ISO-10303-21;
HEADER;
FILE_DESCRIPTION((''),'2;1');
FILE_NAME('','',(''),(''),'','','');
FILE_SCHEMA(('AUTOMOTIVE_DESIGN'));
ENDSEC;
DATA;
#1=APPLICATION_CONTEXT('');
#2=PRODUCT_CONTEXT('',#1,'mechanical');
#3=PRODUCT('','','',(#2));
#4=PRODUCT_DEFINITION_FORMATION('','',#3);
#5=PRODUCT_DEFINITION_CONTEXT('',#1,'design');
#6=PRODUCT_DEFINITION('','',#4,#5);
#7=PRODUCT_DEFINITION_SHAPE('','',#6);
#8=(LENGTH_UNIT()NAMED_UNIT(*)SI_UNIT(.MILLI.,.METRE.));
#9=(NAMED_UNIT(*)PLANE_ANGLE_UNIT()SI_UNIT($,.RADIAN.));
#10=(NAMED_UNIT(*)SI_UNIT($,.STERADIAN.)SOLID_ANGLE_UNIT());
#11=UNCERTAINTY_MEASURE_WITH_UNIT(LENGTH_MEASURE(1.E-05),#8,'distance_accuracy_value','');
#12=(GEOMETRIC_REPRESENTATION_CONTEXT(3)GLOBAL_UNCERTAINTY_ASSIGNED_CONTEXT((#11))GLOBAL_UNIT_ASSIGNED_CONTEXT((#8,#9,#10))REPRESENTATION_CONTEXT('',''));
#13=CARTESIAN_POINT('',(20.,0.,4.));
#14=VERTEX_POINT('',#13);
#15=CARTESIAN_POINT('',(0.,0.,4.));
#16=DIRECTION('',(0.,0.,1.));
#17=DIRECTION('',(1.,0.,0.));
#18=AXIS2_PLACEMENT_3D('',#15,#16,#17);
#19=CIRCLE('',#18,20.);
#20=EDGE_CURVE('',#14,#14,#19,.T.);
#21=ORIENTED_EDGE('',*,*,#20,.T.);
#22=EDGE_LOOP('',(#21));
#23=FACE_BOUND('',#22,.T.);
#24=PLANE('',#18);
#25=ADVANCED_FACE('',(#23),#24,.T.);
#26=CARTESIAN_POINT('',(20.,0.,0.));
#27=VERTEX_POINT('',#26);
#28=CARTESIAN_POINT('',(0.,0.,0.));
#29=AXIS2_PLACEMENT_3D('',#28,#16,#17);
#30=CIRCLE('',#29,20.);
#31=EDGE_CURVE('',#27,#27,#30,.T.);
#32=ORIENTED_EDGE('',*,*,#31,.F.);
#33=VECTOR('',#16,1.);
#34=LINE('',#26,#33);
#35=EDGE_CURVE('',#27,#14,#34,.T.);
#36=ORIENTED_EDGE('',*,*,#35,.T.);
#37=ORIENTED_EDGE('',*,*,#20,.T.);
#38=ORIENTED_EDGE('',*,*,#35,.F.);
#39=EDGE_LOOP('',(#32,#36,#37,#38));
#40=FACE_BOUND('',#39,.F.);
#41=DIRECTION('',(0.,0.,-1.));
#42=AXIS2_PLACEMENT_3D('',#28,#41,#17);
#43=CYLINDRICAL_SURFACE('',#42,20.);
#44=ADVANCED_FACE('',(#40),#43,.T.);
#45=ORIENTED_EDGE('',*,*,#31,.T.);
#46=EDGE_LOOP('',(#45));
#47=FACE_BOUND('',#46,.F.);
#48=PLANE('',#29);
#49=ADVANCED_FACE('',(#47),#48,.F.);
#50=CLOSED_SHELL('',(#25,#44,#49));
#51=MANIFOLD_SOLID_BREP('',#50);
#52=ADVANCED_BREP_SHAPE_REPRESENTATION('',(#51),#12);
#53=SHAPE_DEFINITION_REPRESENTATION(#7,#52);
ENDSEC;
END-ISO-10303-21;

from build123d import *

# Parameters (mm, degrees)
SKETCH_R      = 20
EXTRUDE_DEPTH = 4


with BuildPart() as part:
    # Sketch → Extrude (new body)
    with BuildSketch(Plane.XY):
        Circle(SKETCH_R)
    extrude(amount=EXTRUDE_DEPTH)


solid = part.part
